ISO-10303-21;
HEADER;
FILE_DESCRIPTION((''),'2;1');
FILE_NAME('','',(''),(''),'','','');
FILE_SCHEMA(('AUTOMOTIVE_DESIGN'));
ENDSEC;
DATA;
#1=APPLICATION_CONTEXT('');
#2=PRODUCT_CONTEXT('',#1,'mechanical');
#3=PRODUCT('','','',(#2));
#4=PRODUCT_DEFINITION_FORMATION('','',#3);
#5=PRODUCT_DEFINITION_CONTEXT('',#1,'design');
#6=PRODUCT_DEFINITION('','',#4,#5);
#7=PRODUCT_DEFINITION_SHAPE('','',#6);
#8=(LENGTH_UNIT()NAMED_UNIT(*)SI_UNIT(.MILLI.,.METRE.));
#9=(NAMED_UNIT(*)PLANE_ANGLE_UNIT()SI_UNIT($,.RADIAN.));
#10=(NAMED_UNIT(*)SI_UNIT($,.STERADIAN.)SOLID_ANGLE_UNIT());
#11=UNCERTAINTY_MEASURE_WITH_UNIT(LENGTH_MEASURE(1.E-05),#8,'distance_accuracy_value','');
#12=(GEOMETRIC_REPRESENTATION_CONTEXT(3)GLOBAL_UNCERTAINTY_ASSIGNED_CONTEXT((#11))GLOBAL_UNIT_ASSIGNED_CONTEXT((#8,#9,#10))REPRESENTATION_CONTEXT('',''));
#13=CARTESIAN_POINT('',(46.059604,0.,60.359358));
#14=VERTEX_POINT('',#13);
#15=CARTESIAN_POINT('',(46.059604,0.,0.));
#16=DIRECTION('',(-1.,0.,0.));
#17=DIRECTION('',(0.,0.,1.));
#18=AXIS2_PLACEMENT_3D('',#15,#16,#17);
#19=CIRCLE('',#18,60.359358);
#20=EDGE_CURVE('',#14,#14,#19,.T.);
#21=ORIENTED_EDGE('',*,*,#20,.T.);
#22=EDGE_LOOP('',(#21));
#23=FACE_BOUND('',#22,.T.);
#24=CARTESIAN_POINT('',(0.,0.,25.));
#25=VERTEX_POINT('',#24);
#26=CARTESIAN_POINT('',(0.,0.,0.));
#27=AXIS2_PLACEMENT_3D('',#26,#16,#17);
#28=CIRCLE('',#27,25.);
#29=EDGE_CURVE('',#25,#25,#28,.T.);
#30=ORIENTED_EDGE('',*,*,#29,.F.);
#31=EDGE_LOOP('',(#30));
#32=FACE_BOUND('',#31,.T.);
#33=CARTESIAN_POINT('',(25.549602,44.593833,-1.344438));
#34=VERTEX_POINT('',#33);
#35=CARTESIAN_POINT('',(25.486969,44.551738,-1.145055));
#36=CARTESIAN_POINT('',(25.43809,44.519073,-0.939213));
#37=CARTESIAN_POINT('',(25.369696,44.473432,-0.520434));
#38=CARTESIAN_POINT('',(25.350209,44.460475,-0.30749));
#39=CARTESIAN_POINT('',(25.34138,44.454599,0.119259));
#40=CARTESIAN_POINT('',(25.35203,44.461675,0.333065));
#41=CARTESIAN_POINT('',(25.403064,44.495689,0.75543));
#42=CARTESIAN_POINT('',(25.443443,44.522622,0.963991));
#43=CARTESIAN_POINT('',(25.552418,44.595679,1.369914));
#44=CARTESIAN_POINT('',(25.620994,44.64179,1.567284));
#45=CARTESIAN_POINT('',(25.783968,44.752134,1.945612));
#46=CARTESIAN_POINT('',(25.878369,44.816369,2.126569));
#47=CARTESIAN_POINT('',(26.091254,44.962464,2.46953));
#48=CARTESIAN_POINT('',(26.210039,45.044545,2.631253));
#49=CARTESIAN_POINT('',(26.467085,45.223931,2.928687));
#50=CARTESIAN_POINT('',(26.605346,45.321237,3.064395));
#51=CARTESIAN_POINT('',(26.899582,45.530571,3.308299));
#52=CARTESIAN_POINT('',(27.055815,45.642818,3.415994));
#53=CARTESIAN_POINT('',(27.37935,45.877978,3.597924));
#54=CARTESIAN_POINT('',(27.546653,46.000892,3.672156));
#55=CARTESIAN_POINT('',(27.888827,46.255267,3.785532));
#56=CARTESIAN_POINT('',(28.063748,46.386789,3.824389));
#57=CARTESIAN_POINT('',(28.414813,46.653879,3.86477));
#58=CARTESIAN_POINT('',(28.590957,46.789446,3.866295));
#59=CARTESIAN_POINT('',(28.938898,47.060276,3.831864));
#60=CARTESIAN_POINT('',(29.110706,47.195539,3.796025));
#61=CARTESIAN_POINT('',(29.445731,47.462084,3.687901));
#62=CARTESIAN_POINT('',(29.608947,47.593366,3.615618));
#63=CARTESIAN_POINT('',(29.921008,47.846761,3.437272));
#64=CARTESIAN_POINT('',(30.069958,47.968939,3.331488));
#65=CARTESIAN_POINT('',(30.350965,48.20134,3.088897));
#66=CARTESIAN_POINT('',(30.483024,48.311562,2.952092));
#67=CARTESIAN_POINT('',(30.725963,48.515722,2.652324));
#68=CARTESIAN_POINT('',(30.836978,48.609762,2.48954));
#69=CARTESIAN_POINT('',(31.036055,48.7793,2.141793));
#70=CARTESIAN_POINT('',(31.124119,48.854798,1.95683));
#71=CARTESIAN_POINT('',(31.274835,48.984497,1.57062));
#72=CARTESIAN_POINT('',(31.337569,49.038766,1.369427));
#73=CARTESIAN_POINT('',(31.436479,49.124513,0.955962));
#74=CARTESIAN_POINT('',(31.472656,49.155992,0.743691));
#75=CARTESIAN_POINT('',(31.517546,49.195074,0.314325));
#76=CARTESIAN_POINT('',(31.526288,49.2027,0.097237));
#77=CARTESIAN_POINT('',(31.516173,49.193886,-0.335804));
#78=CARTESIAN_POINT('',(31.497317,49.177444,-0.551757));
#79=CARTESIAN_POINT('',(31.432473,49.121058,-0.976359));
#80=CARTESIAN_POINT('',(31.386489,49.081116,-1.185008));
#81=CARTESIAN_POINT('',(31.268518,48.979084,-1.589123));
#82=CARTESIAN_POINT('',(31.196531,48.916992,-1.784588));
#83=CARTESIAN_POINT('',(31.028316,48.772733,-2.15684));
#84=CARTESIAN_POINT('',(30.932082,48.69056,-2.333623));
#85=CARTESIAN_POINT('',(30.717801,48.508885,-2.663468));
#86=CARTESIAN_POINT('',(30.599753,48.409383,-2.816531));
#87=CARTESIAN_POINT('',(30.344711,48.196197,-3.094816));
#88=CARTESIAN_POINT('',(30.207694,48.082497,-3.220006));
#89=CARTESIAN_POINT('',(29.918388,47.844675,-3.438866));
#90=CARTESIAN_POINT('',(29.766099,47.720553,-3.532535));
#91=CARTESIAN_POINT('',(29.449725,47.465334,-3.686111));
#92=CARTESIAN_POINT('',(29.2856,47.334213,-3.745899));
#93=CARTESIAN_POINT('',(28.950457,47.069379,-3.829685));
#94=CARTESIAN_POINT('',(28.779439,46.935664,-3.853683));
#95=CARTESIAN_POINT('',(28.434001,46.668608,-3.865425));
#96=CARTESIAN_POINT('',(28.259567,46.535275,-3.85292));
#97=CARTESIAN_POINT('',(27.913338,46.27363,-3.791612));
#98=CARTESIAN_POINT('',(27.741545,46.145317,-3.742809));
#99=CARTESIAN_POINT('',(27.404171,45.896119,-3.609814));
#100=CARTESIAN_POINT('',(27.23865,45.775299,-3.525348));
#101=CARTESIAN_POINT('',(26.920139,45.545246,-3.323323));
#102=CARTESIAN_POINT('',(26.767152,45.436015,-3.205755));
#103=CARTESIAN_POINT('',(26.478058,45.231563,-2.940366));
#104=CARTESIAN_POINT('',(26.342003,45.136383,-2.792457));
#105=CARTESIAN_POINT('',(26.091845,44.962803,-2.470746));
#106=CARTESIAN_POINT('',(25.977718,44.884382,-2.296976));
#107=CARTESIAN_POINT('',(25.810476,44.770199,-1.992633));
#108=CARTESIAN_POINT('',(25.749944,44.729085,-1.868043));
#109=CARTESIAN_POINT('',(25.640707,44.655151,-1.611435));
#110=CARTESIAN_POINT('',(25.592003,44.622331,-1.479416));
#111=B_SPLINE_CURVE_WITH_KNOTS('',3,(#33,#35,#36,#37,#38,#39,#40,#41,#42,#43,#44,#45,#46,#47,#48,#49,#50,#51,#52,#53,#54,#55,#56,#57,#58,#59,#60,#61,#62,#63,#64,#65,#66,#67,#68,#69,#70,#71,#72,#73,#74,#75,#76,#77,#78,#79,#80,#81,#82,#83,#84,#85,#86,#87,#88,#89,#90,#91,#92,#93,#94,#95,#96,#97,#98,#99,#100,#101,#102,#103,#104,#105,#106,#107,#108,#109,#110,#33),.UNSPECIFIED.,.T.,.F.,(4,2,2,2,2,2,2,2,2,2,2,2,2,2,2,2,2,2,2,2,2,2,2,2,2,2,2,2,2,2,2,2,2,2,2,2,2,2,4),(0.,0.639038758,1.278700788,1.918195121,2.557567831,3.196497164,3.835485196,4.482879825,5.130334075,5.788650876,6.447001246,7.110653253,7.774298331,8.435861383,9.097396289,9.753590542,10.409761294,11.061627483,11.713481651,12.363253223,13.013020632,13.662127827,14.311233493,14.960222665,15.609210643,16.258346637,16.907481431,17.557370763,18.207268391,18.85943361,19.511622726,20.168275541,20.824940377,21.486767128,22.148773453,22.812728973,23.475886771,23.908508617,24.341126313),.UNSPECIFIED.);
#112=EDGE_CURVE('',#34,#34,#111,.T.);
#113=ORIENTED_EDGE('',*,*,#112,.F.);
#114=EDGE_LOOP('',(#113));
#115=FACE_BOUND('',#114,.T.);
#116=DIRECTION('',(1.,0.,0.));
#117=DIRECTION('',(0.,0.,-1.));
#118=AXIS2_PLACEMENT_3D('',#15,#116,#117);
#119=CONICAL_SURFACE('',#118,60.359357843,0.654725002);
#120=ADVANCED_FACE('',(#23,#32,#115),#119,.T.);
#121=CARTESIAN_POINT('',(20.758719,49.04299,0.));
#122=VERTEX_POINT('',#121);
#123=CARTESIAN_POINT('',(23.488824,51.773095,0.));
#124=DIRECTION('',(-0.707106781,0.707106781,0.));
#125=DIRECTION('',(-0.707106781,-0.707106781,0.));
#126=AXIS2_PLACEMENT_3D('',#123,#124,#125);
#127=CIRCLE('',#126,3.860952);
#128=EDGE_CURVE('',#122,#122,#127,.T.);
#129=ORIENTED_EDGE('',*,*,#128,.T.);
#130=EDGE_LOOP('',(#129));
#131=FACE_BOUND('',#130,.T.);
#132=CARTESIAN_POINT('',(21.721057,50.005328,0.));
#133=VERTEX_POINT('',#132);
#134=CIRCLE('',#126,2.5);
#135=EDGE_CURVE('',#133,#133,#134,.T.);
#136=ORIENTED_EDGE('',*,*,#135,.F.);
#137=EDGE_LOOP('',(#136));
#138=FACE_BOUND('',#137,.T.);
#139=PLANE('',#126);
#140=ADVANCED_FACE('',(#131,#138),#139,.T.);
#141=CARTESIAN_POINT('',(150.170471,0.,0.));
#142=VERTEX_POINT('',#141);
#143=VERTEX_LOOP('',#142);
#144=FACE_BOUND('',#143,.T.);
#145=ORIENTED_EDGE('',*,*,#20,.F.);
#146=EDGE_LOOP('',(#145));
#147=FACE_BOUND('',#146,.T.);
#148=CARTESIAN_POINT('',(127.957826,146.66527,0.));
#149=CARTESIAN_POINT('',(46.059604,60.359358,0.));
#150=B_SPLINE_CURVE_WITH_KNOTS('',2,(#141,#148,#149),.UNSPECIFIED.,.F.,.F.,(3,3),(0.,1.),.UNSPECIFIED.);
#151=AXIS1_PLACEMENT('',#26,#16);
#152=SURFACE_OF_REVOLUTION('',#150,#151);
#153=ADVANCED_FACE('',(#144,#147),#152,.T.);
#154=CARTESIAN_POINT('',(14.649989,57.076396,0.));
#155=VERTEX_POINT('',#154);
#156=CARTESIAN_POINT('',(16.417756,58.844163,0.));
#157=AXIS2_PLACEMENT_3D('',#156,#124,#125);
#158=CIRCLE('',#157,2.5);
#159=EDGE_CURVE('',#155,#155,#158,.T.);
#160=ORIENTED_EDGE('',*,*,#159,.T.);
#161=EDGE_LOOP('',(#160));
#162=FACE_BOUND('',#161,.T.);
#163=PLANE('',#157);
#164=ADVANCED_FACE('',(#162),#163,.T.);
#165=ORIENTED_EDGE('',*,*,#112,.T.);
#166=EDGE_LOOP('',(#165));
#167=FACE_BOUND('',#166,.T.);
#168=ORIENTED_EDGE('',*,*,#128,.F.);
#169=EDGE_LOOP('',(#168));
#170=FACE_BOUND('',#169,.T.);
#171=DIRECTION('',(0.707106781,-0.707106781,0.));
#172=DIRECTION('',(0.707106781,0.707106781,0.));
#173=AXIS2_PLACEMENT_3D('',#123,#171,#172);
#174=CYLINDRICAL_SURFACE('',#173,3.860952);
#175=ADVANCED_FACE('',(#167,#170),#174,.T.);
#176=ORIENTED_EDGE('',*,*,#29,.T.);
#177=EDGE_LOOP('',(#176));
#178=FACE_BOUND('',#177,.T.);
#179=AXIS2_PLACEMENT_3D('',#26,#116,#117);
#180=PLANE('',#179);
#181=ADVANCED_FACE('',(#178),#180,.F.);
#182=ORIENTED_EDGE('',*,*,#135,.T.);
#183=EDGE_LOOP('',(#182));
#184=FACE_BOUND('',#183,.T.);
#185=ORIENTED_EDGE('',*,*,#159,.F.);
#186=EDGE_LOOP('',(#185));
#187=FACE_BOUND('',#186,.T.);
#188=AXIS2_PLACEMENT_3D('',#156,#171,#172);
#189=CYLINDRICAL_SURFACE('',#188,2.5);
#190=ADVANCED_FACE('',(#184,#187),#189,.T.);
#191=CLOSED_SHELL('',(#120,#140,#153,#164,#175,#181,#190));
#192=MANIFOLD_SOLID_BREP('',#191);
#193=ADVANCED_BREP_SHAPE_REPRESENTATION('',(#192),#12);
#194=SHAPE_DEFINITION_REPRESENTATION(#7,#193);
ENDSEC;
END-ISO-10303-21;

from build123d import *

# Parameters (mm, degrees)
CROQUIS3_R              = 2.5
SALIENTE_EXTRUIR1_DEPTH = 30
CROQUIS4_R              = 3.860951782
SALIENTE_EXTRUIR2_DEPTH = 20


with BuildPart() as part:
    # Croquis2 → Revolución1 (revolve)
    with BuildSketch(Plane.XY, mode=Mode.PRIVATE) as revoluci_n1_sk:
        with BuildLine():
            Line((0, 0), (0, 25))
            Line((0, 25), (46.059604384, 60.359357843))
            add(Edge.make_bspline(
                [(46.059604384, 60.359357843), (127.957826231, 146.665270252), (150.170471105, 0)],
                knots=[0, 0, 0, 1, 1, 1], degree=2))
            Line((150.170471105, 0), (0, 0))
        make_face()
    revolve(revoluci_n1_sk.sketch.rotate(Axis((0, 0, 0), (1, 0, 0)), 90), axis=Axis((0, 0, 0), (1, 0, 0)))

    # Croquis3 → Saliente-Extruir1 (add)
    with BuildSketch(Plane(origin=(0, 0, 0), x_dir=(0.7071067811865477, 0.7071067811865475, 0), z_dir=(-0.7071067811865475, 0.7071067811865477, 0))):
        with Locations(Location((53.218213551, 0, 0), (0, 0, 158.694408868))):
            Circle(CROQUIS3_R)
    extrude(amount=SALIENTE_EXTRUIR1_DEPTH)

    # Croquis4 → Saliente-Extruir2 (add)
    with BuildSketch(Plane(origin=(0, 0, 0), x_dir=(0.7071067811865477, 0.7071067811865475, 0), z_dir=(-0.7071067811865475, 0.7071067811865477, 0))):
        with Locations(Location((53.218213551, 0, 0), (0, 0, 159.621887119))):
            Circle(CROQUIS4_R)
    extrude(amount=SALIENTE_EXTRUIR2_DEPTH)


solid = part.part
